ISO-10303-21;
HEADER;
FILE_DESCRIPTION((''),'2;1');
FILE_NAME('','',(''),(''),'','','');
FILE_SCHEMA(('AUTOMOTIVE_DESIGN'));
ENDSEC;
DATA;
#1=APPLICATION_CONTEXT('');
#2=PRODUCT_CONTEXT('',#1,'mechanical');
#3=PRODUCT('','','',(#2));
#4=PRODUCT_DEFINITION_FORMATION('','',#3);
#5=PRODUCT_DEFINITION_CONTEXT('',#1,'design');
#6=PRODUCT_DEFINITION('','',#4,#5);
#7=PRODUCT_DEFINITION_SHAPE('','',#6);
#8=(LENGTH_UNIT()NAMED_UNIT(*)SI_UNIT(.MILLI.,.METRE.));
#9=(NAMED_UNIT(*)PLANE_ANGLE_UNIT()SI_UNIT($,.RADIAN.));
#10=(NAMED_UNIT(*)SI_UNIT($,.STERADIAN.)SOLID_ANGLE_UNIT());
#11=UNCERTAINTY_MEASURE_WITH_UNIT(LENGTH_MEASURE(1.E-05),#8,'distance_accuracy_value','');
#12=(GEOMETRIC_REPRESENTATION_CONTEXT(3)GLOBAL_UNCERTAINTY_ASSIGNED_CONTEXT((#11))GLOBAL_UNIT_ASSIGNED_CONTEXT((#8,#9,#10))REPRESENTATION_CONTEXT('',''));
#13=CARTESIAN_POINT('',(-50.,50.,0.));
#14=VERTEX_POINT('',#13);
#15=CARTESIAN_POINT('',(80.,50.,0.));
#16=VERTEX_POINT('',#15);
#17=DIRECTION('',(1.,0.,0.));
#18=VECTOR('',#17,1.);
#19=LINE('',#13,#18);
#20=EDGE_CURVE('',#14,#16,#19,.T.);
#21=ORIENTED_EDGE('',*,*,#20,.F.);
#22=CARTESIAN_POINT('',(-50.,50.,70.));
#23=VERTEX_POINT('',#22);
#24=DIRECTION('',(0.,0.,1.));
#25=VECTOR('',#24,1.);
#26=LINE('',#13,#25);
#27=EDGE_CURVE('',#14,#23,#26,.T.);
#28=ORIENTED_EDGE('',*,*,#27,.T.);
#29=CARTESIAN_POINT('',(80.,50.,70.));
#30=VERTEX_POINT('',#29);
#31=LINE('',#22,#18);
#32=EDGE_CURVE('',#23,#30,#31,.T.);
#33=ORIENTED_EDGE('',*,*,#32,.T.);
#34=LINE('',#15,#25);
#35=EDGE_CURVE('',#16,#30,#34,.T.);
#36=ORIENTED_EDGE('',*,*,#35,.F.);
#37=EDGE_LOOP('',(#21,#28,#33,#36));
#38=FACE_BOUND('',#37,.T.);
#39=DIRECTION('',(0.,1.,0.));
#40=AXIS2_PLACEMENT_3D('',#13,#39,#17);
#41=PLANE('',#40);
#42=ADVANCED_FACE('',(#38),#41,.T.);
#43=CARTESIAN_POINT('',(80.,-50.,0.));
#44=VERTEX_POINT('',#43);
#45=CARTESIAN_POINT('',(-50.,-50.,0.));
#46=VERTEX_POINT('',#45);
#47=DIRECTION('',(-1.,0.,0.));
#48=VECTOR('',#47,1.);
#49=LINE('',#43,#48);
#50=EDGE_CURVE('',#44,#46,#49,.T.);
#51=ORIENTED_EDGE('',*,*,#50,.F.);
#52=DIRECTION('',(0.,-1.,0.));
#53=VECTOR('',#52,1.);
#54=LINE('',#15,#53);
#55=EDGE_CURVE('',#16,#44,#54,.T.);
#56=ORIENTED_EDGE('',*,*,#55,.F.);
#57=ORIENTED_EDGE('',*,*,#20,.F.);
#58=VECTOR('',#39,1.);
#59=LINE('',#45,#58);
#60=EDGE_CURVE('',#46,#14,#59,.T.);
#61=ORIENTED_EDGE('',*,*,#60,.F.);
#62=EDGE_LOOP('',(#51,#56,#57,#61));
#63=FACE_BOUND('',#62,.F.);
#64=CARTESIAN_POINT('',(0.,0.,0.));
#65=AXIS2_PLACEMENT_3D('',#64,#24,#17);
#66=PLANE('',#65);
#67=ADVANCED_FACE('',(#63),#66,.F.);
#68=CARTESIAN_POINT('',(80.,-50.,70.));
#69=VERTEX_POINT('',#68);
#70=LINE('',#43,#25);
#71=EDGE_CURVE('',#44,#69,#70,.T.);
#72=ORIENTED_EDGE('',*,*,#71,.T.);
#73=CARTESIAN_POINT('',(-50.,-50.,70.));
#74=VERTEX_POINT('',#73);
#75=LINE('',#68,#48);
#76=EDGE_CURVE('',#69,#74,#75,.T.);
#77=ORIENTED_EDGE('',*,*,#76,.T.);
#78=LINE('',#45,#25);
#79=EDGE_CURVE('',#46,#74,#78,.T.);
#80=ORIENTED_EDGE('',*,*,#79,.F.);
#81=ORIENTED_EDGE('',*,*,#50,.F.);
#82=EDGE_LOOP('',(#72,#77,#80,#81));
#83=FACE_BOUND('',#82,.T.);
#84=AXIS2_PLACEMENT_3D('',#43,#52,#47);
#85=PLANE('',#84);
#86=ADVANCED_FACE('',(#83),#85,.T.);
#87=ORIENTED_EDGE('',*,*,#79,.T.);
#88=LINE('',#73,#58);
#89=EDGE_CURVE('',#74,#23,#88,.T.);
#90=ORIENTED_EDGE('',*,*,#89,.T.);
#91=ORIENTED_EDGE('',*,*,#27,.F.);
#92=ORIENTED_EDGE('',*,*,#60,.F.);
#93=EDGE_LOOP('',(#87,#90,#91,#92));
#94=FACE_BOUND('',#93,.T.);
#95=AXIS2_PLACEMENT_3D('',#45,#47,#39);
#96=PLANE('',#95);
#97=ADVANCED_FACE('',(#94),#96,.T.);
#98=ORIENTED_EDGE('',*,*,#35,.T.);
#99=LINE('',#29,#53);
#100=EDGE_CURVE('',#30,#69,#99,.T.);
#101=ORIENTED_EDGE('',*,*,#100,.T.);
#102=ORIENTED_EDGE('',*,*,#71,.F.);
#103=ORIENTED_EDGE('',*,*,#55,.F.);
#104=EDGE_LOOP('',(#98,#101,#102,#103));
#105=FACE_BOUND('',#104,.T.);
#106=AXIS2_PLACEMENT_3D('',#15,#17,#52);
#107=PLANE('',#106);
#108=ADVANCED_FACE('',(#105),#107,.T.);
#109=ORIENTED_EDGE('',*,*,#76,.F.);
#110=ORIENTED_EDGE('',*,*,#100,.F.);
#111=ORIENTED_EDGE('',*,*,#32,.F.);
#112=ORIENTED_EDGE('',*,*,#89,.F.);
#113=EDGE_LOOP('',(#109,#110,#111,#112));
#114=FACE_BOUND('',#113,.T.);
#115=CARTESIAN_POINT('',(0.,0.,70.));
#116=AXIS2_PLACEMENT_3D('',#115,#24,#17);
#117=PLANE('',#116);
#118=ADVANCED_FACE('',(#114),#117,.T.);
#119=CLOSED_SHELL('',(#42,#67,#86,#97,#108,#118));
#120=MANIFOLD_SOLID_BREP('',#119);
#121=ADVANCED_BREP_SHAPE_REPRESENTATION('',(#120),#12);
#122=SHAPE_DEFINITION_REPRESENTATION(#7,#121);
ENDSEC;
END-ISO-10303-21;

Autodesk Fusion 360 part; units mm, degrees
sketch "Sketch1" plane through (0, 0, 0) normal (0, 0, 1) x (1, 0, 0)
  line L0 (-50, 50) -> (80, 50)
  line L1 (80, 50) -> (80, -50)
  line L2 (80, -50) -> (-50, -50)
  line L3 (-50, -50) -> (-50, 50)
extrude "Extrude1" add sketch "Sketch1" along normal blind 70
